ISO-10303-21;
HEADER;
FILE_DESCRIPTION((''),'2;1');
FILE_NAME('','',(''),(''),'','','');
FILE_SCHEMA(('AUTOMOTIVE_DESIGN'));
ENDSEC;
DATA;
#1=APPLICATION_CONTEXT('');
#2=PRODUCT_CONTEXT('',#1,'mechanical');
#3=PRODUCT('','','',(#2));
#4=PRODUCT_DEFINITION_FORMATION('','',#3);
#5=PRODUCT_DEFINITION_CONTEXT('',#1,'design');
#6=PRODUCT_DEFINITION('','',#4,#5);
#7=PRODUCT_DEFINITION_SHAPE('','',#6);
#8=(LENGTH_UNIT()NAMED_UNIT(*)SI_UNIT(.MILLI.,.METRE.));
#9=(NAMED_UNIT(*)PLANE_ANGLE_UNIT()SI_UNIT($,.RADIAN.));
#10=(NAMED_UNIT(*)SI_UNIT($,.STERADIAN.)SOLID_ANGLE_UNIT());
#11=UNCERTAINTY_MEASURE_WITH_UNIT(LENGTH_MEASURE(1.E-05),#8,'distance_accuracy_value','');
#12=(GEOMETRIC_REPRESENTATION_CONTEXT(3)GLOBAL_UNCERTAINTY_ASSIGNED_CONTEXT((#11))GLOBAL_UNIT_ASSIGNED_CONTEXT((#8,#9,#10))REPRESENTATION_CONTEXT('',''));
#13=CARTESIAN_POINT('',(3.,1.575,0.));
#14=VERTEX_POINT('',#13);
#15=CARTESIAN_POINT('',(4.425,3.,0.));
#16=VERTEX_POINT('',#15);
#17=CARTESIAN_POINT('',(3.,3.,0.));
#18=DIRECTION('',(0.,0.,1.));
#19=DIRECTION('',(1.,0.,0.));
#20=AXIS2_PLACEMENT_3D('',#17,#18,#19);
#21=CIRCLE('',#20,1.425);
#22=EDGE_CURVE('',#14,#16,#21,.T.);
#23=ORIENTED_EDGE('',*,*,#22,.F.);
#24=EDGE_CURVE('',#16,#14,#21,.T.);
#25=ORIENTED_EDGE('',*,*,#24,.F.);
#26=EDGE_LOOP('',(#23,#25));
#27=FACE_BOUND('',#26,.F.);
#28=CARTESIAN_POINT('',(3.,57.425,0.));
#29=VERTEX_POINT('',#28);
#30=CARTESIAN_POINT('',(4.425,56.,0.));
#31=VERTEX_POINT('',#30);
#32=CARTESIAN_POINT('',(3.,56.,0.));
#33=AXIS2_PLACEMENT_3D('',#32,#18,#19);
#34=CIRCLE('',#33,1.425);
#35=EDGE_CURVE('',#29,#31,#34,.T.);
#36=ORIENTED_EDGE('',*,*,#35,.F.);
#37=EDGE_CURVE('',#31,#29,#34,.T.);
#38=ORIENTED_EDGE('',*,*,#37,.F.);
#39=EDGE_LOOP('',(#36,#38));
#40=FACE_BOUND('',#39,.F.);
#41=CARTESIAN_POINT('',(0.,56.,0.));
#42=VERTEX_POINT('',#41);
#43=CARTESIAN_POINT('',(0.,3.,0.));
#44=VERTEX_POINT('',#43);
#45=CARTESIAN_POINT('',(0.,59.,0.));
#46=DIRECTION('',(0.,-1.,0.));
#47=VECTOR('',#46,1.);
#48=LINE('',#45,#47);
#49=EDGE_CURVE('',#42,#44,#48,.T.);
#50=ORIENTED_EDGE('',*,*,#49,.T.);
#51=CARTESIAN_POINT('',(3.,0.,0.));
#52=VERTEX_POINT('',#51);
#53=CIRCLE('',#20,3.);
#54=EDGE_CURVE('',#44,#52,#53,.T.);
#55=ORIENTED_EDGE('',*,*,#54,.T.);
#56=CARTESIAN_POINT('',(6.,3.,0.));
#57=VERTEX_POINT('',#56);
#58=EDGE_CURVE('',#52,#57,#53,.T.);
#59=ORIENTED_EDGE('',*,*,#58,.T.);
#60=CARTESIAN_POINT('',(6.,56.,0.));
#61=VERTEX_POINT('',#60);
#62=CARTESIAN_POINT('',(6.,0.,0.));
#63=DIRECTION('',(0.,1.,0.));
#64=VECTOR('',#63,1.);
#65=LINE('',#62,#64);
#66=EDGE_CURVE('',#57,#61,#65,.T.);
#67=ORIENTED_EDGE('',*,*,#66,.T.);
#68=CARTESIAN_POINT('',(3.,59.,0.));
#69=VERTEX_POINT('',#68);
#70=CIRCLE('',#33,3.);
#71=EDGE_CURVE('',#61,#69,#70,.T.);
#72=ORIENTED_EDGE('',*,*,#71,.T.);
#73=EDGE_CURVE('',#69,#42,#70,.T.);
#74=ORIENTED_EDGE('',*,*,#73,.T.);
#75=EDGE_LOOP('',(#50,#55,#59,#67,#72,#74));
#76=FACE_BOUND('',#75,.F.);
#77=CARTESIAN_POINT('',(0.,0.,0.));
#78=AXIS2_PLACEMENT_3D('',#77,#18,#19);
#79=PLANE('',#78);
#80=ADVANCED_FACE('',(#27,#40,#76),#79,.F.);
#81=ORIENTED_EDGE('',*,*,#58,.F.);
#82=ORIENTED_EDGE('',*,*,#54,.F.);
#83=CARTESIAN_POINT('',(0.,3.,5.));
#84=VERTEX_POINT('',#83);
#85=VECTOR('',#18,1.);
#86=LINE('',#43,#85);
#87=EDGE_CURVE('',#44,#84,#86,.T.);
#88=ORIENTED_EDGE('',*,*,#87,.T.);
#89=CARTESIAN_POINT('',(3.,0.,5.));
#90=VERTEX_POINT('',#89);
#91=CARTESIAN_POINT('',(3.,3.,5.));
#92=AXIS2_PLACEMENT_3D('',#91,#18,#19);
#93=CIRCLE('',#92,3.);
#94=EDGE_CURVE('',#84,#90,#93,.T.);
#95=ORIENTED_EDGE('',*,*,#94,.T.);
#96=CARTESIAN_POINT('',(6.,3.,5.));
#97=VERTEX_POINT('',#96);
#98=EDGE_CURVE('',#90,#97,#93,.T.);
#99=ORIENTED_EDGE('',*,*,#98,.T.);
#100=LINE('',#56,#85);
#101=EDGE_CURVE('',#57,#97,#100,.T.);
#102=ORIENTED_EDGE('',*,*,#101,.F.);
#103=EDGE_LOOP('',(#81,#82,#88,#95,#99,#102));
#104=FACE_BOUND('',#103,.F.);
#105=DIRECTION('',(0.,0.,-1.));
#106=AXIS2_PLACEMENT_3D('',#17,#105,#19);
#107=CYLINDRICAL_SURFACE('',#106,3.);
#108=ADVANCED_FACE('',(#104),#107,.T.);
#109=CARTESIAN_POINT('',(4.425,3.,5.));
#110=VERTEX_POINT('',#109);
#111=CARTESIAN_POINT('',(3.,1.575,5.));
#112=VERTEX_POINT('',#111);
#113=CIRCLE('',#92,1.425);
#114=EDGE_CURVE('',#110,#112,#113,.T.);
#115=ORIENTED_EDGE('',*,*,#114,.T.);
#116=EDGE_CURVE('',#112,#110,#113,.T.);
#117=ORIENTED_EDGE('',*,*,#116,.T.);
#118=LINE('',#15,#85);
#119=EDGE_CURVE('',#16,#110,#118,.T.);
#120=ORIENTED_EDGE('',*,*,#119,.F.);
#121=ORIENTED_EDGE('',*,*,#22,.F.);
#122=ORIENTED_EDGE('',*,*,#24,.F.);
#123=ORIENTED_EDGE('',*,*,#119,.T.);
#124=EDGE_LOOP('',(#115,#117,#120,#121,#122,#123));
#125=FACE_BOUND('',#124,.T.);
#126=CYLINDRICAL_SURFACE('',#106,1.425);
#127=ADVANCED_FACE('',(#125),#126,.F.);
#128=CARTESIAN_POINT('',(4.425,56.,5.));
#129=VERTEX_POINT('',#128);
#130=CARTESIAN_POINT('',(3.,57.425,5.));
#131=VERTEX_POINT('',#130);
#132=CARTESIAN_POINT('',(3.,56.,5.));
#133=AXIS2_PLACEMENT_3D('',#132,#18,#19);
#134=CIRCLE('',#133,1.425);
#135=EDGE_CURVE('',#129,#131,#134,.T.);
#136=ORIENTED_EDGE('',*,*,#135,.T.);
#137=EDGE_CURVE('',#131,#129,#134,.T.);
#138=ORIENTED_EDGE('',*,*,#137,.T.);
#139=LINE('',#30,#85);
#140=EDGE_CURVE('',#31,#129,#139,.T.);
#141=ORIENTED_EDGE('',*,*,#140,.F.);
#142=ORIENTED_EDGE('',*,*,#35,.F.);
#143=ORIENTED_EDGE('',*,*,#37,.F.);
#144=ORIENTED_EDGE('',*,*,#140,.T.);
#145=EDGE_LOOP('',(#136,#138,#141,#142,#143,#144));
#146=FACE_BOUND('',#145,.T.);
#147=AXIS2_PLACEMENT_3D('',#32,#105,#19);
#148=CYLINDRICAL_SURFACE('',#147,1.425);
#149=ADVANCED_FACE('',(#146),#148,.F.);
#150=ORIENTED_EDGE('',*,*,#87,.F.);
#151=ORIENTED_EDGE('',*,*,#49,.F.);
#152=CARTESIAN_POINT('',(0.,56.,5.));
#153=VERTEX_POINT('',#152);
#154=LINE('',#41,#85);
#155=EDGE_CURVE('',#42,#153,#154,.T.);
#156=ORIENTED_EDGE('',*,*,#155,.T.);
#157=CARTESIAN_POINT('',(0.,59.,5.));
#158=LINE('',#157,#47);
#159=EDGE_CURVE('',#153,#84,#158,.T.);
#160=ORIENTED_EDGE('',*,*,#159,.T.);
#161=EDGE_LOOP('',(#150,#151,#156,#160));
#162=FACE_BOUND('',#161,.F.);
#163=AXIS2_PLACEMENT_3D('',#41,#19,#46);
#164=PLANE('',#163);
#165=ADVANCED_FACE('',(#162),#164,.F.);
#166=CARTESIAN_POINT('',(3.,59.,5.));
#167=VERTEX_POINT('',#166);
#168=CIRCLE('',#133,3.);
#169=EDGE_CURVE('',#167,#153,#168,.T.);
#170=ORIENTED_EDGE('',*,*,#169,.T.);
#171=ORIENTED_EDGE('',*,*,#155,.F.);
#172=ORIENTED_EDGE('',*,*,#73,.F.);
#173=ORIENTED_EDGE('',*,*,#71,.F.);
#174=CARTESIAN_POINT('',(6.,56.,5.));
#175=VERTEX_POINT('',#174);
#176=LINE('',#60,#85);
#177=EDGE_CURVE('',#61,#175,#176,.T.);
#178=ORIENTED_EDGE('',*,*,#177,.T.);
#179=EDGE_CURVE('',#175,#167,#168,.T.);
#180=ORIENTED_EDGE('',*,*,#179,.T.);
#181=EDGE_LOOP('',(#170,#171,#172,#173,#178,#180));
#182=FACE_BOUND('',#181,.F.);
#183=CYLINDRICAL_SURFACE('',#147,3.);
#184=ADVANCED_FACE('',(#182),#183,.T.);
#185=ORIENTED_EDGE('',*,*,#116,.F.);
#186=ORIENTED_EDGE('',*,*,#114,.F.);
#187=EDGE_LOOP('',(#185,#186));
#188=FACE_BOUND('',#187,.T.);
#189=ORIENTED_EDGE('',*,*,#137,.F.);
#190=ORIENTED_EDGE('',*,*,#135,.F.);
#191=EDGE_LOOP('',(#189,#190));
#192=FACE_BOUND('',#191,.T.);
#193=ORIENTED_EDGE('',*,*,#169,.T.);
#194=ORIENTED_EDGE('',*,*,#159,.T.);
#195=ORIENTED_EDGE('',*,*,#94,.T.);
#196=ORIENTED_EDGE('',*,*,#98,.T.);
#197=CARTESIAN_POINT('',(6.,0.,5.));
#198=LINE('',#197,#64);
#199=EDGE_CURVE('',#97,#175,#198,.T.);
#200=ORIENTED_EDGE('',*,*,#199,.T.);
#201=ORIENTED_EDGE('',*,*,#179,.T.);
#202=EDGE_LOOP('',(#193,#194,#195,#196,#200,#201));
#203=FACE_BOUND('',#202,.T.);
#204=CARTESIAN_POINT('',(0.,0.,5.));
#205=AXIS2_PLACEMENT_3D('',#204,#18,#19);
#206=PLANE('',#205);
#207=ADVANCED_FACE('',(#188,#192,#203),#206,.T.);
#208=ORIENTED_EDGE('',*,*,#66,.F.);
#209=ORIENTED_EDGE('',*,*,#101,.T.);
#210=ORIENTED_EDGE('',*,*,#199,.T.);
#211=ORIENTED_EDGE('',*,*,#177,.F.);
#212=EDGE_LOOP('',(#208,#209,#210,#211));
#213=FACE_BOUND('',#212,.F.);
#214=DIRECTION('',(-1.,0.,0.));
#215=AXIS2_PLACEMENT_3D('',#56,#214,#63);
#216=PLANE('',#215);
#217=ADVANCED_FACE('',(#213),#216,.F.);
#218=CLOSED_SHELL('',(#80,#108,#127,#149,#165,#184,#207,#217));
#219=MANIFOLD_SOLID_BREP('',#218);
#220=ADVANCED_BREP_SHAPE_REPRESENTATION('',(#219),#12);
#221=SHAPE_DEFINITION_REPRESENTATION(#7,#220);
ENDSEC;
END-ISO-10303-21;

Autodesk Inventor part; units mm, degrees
ref_plane "YZ Plane" through (0, 0, 0) normal (1, 0, 0) x (0, 1, 0)
ref_plane "XZ Plane" through (0, 0, 0) normal (0, 1, 0) x (-1, 0, 0)
ref_plane "XY Plane" through (0, 0, 0) normal (0, 0, 1) x (1, 0, 0)
sketch "Sketch1" plane through (0, 0, 0) normal (0, 0, 1) x (1, 0, 0)
  line L0 (0, 0) -> (6, 0)
  line L1 (6, 0) -> (6, 59)
  line L2 (6, 59) -> (0, 59)
  line L3 (0, 59) -> (0, 0)
  line L4 (3, 0) -> (3, 3)
  circle A0 centre (3, 3) radius 1.425
  circle A1 centre (3, 3) radius 3
  line L5 (3, 59) -> (3, 56)
  circle A2 centre (3, 56) radius 1.425
  circle A3 centre (3, 56) radius 3
  point P0 (6, 3)
  point P1 (6, 56)
  point P2 (0, 56)
  point P3 (0, 3)
  dimension "d10" = 6
  dimension "d11" = 59
  dimension "d12" = 3
  dimension "d13" = 6
  dimension "d14" = 2.85
  dimension "d15" = 3
  dimension "d16" = 6
  dimension "d17" = 2.85
extrude "Extrusion1" add sketch "Sketch1" along normal blind 5 contours A1 | L3 A3 L1 A1 | A3
properties part number "Exoskeleton 1"
